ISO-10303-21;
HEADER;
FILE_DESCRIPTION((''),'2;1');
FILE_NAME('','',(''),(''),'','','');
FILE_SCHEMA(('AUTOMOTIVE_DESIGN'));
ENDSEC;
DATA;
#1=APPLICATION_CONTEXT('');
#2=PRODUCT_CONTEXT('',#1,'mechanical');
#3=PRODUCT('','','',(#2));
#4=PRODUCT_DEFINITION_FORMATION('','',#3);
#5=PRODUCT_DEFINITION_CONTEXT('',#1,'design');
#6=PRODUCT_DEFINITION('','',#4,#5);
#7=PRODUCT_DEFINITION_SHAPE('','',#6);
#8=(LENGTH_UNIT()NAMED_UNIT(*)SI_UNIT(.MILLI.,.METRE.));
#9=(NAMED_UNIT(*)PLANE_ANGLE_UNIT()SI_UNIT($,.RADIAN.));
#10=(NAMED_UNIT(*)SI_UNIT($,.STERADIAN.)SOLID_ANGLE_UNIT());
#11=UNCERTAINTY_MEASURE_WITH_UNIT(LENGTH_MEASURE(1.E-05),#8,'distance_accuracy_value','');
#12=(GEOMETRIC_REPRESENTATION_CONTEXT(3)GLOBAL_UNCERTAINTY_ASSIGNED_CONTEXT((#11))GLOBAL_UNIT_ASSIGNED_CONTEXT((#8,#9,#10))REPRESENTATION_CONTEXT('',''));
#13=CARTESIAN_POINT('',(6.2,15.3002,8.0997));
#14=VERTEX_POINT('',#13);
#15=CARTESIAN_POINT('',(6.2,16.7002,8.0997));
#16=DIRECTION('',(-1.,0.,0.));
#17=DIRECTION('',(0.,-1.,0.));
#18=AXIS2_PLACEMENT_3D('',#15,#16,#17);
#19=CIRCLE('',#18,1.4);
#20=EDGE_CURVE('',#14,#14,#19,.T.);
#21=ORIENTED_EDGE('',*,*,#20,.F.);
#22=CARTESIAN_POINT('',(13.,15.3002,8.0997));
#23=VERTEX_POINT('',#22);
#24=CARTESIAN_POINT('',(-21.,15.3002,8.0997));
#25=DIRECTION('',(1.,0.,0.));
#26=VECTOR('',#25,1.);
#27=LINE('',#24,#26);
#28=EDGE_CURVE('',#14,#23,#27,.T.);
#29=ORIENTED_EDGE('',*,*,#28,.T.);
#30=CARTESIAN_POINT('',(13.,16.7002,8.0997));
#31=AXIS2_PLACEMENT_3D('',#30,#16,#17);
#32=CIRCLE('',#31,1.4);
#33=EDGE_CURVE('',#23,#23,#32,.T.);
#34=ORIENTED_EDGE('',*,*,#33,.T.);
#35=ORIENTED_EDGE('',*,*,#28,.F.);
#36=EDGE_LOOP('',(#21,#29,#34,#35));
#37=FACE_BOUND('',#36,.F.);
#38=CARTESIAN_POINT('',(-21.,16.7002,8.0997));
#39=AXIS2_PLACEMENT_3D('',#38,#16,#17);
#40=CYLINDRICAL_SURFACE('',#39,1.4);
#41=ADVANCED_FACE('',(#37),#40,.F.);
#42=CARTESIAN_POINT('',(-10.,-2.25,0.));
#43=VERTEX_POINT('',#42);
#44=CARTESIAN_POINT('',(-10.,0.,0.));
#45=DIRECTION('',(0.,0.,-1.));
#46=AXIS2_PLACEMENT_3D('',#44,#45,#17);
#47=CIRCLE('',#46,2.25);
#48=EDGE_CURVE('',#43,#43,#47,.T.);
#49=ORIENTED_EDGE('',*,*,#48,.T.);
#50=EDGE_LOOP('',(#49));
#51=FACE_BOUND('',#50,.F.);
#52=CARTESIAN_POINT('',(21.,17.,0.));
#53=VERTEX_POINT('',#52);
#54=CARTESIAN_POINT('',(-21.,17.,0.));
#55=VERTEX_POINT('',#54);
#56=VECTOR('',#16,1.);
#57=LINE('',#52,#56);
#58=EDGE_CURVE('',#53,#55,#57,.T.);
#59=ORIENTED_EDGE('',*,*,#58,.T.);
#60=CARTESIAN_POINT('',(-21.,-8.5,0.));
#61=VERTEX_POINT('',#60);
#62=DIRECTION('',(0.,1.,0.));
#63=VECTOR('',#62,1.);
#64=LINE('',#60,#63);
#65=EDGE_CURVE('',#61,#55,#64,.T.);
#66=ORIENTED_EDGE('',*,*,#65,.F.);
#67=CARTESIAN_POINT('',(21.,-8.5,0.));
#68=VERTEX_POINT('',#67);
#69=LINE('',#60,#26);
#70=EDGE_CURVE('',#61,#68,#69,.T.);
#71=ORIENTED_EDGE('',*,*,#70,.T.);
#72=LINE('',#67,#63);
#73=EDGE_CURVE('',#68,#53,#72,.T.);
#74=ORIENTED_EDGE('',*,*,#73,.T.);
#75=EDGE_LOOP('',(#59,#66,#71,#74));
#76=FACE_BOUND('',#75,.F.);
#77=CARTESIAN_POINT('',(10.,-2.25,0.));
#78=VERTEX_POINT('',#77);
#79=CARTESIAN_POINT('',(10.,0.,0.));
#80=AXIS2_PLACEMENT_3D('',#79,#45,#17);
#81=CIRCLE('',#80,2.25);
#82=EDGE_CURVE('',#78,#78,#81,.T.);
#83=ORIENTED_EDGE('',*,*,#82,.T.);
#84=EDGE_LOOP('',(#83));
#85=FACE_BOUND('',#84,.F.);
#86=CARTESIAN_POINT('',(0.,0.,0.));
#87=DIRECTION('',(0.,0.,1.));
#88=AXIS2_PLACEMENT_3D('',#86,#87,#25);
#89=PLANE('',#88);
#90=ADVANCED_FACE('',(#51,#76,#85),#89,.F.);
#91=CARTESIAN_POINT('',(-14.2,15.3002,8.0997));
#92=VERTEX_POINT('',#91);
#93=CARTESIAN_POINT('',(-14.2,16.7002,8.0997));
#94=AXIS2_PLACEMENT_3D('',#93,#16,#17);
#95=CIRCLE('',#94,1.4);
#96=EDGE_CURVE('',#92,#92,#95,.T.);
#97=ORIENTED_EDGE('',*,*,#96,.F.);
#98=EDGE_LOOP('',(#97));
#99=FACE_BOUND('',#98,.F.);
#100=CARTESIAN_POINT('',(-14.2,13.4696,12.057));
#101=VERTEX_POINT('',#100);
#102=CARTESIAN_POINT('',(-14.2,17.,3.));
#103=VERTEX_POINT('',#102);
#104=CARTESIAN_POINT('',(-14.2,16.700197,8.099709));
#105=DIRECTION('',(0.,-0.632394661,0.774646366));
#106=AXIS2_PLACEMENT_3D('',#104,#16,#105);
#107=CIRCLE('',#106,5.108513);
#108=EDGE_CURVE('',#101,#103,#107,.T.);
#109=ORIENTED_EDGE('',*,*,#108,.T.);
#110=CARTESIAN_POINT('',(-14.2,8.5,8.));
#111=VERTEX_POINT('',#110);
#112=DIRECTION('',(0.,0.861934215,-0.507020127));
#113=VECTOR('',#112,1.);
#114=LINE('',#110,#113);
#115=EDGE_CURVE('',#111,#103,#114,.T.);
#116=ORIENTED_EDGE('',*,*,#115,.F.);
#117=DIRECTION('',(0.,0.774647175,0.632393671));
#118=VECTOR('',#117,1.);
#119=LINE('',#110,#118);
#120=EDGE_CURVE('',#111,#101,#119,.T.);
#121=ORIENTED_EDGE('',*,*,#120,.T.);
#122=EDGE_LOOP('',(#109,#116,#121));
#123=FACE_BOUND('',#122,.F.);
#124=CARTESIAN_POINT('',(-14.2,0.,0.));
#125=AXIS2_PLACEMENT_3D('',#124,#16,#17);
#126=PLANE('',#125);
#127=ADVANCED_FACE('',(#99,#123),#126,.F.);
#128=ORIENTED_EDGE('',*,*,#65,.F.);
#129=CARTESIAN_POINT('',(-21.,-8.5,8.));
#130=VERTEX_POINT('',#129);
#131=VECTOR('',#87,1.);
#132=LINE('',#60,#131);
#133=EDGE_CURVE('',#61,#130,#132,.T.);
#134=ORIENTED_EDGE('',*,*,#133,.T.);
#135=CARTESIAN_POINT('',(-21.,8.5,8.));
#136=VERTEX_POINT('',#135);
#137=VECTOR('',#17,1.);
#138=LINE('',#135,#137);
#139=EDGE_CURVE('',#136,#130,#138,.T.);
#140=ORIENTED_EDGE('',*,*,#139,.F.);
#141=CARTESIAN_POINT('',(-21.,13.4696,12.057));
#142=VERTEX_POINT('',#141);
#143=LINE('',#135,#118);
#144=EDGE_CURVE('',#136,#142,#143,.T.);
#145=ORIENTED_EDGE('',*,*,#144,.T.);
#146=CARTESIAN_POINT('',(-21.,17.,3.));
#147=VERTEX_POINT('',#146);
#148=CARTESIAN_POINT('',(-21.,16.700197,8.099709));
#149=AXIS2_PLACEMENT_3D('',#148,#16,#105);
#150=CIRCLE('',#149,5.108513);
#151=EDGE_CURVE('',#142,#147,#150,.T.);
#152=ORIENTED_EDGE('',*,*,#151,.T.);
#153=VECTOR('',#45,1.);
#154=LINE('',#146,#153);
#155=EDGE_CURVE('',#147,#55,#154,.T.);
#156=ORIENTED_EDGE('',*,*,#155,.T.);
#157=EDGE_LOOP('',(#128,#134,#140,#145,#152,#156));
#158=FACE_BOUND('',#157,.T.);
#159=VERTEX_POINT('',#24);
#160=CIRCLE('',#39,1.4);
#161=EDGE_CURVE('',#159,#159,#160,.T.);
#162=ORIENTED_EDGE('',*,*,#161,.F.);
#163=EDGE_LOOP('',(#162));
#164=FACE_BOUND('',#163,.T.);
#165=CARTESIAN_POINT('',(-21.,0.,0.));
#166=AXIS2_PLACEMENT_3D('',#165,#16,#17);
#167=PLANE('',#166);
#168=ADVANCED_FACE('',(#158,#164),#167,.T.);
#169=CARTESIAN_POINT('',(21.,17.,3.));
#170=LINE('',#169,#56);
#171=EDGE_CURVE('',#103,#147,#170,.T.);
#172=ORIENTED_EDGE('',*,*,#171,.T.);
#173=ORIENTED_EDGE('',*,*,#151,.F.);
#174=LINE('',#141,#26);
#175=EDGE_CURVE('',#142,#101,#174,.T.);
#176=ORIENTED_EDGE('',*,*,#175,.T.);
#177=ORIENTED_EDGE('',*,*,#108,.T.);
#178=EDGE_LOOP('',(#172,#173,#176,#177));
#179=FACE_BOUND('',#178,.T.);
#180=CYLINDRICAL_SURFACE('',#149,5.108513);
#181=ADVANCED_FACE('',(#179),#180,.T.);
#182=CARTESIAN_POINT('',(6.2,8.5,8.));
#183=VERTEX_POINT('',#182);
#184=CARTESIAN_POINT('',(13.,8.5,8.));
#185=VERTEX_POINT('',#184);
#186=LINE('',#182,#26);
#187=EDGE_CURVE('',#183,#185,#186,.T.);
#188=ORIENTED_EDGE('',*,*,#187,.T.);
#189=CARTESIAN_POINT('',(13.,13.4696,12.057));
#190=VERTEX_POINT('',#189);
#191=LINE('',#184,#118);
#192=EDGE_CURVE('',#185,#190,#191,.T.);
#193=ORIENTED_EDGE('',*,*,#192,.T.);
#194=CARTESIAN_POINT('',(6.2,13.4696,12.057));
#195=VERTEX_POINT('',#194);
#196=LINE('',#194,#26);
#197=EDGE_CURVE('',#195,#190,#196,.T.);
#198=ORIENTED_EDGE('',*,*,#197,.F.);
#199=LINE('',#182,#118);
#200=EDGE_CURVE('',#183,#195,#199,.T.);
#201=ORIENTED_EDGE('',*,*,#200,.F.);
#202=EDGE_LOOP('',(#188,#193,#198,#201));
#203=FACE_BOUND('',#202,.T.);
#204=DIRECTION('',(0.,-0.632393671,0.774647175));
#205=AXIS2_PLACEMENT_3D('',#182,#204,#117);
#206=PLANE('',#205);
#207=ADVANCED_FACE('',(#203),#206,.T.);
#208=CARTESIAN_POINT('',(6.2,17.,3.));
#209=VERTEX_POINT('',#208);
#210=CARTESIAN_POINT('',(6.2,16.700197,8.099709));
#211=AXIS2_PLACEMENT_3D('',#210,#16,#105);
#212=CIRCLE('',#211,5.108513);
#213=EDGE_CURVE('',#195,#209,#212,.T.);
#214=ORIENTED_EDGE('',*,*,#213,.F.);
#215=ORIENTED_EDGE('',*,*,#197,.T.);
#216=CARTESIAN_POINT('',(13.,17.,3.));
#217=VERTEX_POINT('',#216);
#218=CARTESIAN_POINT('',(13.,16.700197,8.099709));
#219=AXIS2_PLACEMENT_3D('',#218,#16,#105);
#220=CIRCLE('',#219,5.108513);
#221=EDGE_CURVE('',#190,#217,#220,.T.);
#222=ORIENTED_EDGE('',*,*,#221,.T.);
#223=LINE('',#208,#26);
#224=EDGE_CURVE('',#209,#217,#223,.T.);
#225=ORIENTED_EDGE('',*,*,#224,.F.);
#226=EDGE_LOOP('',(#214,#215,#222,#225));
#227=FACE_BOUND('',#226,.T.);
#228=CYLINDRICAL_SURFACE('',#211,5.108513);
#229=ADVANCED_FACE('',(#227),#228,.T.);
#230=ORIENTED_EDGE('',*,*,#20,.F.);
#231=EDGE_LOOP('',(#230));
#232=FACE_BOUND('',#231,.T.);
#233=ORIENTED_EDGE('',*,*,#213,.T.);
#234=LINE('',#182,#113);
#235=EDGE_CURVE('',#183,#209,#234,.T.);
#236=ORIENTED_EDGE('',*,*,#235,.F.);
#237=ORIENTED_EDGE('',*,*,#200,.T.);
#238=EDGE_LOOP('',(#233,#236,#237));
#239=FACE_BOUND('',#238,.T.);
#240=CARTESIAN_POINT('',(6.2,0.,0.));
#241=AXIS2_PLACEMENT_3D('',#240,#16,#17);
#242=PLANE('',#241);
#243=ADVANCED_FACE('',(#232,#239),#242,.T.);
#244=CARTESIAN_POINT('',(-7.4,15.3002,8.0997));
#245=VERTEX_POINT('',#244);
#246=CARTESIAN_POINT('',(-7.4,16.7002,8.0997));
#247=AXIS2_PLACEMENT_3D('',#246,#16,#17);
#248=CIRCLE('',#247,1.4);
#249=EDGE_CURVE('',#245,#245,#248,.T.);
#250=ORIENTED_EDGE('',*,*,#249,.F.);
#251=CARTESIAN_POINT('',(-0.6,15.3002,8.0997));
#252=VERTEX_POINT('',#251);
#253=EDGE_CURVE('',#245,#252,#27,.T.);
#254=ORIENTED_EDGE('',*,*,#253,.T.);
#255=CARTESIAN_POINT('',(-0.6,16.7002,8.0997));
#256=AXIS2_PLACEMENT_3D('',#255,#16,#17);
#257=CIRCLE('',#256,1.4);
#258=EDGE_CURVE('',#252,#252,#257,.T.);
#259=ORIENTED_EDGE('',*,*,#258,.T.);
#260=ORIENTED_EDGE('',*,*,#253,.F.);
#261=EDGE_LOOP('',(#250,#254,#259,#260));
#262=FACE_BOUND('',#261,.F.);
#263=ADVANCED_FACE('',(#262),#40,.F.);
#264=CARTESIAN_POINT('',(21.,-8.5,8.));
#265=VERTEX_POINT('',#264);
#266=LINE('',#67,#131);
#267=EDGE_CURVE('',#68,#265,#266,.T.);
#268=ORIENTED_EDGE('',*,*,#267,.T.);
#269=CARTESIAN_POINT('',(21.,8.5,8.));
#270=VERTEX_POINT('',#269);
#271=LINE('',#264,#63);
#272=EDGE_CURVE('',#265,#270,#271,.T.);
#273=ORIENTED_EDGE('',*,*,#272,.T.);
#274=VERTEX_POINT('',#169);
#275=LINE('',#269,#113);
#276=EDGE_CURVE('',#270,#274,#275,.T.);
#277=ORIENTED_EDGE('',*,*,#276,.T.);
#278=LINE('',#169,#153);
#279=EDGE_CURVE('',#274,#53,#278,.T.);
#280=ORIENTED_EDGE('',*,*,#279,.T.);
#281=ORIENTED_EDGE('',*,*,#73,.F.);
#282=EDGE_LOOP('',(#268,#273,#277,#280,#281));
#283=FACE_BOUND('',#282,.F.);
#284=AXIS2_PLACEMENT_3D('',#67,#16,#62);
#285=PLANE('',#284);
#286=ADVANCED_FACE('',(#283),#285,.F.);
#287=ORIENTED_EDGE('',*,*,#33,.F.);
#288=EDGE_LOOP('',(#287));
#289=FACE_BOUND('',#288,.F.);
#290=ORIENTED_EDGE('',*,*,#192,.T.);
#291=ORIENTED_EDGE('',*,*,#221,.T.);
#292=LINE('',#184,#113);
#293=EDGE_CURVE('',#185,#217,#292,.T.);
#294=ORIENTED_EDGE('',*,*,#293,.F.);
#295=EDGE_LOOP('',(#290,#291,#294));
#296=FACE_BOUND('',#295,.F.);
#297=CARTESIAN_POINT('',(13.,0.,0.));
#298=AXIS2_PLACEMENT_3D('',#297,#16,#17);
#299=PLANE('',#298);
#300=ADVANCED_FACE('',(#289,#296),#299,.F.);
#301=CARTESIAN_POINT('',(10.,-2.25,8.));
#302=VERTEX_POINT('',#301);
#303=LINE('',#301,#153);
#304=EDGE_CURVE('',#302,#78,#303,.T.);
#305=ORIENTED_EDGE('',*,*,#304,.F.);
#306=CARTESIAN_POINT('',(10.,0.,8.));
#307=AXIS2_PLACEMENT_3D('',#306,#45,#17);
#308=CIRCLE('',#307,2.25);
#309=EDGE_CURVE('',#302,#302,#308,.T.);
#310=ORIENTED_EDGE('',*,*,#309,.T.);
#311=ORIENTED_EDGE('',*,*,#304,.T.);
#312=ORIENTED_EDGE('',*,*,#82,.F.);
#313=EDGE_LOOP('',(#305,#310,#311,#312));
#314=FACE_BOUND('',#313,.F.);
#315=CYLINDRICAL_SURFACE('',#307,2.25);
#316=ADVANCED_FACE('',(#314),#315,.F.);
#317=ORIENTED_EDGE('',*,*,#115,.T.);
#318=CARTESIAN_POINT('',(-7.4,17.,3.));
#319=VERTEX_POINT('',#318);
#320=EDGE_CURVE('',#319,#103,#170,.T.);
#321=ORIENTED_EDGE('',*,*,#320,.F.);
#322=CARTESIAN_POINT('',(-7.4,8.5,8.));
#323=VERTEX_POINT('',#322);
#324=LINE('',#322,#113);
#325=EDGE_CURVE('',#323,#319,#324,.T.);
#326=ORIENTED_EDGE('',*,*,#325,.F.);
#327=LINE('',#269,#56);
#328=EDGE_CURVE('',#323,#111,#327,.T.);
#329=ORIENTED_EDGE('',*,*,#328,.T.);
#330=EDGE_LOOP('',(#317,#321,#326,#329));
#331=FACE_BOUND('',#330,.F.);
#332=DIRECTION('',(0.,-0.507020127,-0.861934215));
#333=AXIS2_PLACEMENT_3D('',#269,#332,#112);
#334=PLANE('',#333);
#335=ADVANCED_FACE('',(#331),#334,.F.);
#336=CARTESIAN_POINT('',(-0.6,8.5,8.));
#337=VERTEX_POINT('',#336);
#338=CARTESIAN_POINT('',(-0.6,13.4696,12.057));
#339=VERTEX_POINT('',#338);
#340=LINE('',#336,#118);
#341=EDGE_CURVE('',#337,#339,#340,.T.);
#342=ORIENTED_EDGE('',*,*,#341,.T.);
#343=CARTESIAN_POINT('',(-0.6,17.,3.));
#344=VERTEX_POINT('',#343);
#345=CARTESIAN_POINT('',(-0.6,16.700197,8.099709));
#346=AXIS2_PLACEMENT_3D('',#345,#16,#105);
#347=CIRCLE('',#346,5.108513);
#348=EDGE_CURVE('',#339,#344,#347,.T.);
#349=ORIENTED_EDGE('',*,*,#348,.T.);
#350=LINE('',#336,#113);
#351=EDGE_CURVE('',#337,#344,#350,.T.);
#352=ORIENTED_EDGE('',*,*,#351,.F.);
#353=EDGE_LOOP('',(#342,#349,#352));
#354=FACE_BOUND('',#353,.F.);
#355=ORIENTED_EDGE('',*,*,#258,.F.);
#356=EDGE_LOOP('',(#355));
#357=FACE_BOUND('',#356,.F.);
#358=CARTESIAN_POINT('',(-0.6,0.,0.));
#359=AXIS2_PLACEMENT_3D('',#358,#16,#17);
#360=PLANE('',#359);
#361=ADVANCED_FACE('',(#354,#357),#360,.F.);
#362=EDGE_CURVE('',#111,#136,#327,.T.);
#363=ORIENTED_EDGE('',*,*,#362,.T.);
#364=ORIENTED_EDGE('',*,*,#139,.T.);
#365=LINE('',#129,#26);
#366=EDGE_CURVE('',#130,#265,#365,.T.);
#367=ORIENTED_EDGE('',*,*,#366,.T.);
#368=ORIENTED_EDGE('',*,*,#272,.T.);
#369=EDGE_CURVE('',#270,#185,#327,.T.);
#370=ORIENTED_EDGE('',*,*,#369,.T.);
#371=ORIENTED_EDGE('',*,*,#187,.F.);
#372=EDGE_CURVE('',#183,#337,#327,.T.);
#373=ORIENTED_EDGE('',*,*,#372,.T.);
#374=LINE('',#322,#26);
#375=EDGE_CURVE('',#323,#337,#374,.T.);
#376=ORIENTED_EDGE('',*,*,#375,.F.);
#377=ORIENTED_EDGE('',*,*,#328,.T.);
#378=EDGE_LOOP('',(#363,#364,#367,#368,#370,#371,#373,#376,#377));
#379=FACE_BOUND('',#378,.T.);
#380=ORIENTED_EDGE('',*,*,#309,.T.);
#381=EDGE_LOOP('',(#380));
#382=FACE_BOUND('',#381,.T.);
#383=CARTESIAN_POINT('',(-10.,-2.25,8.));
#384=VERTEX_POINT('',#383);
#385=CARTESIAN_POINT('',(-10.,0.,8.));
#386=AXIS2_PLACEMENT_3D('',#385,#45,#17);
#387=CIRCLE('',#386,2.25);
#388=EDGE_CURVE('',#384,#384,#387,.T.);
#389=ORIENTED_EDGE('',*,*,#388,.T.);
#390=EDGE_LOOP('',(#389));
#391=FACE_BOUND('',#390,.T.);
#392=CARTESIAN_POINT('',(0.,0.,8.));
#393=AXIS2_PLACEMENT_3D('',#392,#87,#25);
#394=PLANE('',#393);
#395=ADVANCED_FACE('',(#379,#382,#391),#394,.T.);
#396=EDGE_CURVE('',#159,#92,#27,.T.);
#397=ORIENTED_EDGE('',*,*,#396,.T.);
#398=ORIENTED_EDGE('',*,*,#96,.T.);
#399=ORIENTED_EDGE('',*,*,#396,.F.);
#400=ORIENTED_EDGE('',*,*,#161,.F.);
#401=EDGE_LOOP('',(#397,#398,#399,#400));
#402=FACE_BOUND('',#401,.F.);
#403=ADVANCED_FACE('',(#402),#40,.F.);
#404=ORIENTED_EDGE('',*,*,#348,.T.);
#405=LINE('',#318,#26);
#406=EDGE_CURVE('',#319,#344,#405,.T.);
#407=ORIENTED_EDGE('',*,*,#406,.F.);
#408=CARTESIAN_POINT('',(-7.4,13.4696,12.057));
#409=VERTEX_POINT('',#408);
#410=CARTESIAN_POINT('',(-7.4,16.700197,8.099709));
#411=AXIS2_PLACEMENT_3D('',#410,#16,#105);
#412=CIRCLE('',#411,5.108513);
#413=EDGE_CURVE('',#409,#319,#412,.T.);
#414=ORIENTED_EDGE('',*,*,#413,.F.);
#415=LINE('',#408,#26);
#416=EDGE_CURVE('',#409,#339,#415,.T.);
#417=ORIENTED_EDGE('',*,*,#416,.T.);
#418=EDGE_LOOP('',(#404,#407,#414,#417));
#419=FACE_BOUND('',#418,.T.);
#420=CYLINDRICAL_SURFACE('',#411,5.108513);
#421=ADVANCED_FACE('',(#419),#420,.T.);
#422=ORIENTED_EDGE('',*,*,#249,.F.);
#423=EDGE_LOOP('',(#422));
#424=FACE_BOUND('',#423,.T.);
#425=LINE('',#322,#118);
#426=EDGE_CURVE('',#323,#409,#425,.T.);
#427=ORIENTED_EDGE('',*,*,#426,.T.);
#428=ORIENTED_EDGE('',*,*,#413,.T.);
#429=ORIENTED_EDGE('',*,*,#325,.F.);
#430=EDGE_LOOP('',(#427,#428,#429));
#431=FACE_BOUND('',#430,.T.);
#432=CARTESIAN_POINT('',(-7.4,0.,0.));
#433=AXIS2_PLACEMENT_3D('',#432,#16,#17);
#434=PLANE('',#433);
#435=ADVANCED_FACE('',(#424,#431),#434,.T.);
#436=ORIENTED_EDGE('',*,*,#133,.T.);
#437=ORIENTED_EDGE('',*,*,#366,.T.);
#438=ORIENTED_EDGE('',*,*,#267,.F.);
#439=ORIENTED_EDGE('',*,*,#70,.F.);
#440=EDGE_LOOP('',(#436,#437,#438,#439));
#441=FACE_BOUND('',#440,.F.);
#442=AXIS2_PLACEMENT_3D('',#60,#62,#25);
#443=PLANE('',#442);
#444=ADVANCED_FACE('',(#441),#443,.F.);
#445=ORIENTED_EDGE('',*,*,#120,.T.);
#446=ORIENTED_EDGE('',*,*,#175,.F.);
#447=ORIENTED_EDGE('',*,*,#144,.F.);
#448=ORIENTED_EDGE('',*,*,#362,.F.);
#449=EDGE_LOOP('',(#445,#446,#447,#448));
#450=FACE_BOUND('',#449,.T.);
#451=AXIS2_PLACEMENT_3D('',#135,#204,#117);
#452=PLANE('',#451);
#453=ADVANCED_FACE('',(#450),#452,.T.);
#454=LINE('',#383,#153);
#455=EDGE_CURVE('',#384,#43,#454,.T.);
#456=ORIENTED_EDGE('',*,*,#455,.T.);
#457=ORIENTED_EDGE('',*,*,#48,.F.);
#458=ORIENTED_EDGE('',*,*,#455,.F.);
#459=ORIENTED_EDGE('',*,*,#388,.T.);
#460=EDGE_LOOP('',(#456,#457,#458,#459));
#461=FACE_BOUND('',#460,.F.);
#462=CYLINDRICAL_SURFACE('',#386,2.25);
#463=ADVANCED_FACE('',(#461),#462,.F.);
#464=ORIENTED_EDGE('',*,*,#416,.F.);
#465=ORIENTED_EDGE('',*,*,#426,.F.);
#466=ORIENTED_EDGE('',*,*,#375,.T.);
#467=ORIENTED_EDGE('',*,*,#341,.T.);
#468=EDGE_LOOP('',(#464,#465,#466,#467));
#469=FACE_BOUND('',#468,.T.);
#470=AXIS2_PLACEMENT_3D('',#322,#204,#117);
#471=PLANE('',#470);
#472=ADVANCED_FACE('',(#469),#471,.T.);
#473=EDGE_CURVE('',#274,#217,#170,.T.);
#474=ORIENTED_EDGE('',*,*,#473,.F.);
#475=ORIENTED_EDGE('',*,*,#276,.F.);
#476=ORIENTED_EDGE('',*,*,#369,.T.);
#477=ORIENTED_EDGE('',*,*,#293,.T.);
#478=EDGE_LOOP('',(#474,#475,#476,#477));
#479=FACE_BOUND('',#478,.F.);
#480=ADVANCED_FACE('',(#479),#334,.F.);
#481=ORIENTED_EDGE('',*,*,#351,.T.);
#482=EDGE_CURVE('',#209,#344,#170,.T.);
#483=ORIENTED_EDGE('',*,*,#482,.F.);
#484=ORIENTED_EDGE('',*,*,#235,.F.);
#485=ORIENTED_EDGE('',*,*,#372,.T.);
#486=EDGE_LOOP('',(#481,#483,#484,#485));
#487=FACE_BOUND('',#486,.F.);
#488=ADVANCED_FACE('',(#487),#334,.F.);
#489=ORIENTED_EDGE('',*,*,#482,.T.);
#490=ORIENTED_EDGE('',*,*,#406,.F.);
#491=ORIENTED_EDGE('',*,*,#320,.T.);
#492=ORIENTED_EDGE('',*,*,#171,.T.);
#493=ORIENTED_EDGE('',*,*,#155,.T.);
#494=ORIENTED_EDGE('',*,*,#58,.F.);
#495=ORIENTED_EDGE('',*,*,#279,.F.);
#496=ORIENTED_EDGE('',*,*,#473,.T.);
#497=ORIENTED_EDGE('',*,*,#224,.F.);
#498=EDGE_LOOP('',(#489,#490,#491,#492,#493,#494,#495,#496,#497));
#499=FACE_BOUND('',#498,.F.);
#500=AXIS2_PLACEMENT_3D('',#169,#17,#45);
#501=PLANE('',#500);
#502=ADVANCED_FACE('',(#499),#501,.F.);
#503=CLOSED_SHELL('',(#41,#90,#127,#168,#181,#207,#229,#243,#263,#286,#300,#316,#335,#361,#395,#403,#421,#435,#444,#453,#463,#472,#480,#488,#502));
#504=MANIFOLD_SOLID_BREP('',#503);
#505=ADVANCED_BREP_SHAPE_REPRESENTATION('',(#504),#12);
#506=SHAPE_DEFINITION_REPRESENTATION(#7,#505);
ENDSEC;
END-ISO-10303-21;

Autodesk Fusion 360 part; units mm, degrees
sketch "Sketch1" plane through (0, 0, 0) normal (0, 0, 1) x (1, 0, 0)
  line L0 (21, 8.5) -> (-21, 8.5)
  line L1 (-21, 8.5) -> (-21, -8.5)
  line L2 (-21, -8.5) -> (21, -8.5)
  line L3 (21, -8.5) -> (21, 8.5)
  line L4 (21, 8.5) -> (-21, -8.5) construction
  line L5 (-21, 8.5) -> (21, -8.5) construction
  dimension "d1" = 17
  dimension "d2" = 42
extrude "Extrude1" add sketch "Sketch1" along normal blind 8
sketch "Sketch2" plane through (0, 0, 8) normal (0, 0, 1) x (-1, 0, 0)
  line L0 (-21, 8.5) -> (-21, -8.5)
  line L1 (-21, -8.5) -> (21, -8.5)
  line L2 (21, -8.5) -> (21, 8.5)
  line L3 (21, 8.5) -> (-21, 8.5)
  circle A0 centre (14, 0) radius 3.15
  circle A1 centre (-14, 0) radius 3.15
  dimension "d6" = 6.3
  dimension "d7" = 6.3
  dimension "d8" = 28
  dimension "d9" = 7
sketch "Sketch3" plane through (21, 0, 0) normal (1, 0, 0) x (0, 1, 0)
  line L0 (-8.5, 0) -> (8.5, 0)
  line L1 (8.5, 0) -> (8.5, 8)
  line L2 (8.5, 8) -> (-8.5, 8)
  line L3 (-8.5, 8) -> (-8.5, 0)
  line L4 (8.5, 8) -> (17, 3)
  line L5 (17, 3) -> (17, 0)
  line L6 (17, 0) -> (8.5, 0)
  dimension "d23" = 8.5
  dimension "d24" = 3
extrude "Extrude3" add sketch "Sketch3" against normal up to surface (42 mm away) contours L1 L4 L5 L6
sketch "Sketch4" plane through (-21, 0, 0) normal (-1, 0, 0) x (0, -1, 0)
  line L0 (-17, 0) -> (8.5, 0)
  line L1 (8.5, 0) -> (8.5, 8)
  line L2 (8.5, 8) -> (-8.5, 8)
  line L3 (-8.5, 8) -> (-17, 3)
  line L4 (-17, 3) -> (-17, 0)
  line L5 (-8.5, 8) -> (-13.4696, 12.057)
  arc A0 (-13.4696, 12.057) -> (-17, 3) centre (-16.7002, 8.0997) ccw
extrude "Extrude4" add sketch "Sketch4" against normal blind 6.8 contours L3 L5 A0
extrude "Extrude5" add 1 faces at (-14.2, 12.9899, 7.6857) along direction (1, 0, 0) blind 6.8 from surface at 6.8
extrude "Extrude6" add 1 faces at (-0.6, 12.9899, 7.6857) along direction (1, 0, 0) blind 6.8 from surface at 6.8
sketch "Sketch5" plane through (-21, 0, 0) normal (-1, 0, 0) x (0, -1, 0)
  line L0 (-17, 0) -> (8.5, 0)
  line L1 (8.5, 0) -> (8.5, 8)
  line L2 (8.5, 8) -> (-8.5, 8)
  line L3 (-8.5, 8) -> (-13.4696, 12.057)
  arc A0 (-13.4696, 12.057) -> (-17, 3) centre (-16.7002, 8.0997) ccw
  line L4 (-17, 3) -> (-17, 0)
  circle A1 centre (-16.7002, 8.0997) radius 1.4
  dimension "d35" = 2.8
extrude "Extrude7" cut sketch "Sketch5" against normal up to surface (34 mm away) contours A1
sketch "Sketch8" plane through (0, 0, 8) normal (0, 0, 1) x (-1, 0, 0)
  line L0 (-21, 8.5) -> (-21, -8.5)
  line L1 (-21, -8.5) -> (-13, -8.5)
  line L2 (-13, -8.5) -> (-6.2, -8.5)
  line L3 (-6.2, -8.5) -> (0.6, -8.5)
  line L4 (0.6, -8.5) -> (7.4, -8.5)
  line L5 (7.4, -8.5) -> (14.2, -8.5)
  line L6 (14.2, -8.5) -> (21, -8.5)
  line L7 (21, -8.5) -> (21, 8.5)
  line L8 (21, 8.5) -> (-21, 8.5)
  line L9 (21, 0) -> (-21, 0) construction
  circle A0 centre (10, 0) radius 2.25 construction
  circle A1 centre (-10, 0) radius 2.25 construction
  dimension "d49" = 20
  dimension "d50" = 4.5
  dimension "d51" = 11
  dimension "d52" = 11
hole "Hole3" at (-10, 0, 8) at (10, 0, 8) direction (0, 0, -1) diameter 4.5 depth 10 tip angle 118
